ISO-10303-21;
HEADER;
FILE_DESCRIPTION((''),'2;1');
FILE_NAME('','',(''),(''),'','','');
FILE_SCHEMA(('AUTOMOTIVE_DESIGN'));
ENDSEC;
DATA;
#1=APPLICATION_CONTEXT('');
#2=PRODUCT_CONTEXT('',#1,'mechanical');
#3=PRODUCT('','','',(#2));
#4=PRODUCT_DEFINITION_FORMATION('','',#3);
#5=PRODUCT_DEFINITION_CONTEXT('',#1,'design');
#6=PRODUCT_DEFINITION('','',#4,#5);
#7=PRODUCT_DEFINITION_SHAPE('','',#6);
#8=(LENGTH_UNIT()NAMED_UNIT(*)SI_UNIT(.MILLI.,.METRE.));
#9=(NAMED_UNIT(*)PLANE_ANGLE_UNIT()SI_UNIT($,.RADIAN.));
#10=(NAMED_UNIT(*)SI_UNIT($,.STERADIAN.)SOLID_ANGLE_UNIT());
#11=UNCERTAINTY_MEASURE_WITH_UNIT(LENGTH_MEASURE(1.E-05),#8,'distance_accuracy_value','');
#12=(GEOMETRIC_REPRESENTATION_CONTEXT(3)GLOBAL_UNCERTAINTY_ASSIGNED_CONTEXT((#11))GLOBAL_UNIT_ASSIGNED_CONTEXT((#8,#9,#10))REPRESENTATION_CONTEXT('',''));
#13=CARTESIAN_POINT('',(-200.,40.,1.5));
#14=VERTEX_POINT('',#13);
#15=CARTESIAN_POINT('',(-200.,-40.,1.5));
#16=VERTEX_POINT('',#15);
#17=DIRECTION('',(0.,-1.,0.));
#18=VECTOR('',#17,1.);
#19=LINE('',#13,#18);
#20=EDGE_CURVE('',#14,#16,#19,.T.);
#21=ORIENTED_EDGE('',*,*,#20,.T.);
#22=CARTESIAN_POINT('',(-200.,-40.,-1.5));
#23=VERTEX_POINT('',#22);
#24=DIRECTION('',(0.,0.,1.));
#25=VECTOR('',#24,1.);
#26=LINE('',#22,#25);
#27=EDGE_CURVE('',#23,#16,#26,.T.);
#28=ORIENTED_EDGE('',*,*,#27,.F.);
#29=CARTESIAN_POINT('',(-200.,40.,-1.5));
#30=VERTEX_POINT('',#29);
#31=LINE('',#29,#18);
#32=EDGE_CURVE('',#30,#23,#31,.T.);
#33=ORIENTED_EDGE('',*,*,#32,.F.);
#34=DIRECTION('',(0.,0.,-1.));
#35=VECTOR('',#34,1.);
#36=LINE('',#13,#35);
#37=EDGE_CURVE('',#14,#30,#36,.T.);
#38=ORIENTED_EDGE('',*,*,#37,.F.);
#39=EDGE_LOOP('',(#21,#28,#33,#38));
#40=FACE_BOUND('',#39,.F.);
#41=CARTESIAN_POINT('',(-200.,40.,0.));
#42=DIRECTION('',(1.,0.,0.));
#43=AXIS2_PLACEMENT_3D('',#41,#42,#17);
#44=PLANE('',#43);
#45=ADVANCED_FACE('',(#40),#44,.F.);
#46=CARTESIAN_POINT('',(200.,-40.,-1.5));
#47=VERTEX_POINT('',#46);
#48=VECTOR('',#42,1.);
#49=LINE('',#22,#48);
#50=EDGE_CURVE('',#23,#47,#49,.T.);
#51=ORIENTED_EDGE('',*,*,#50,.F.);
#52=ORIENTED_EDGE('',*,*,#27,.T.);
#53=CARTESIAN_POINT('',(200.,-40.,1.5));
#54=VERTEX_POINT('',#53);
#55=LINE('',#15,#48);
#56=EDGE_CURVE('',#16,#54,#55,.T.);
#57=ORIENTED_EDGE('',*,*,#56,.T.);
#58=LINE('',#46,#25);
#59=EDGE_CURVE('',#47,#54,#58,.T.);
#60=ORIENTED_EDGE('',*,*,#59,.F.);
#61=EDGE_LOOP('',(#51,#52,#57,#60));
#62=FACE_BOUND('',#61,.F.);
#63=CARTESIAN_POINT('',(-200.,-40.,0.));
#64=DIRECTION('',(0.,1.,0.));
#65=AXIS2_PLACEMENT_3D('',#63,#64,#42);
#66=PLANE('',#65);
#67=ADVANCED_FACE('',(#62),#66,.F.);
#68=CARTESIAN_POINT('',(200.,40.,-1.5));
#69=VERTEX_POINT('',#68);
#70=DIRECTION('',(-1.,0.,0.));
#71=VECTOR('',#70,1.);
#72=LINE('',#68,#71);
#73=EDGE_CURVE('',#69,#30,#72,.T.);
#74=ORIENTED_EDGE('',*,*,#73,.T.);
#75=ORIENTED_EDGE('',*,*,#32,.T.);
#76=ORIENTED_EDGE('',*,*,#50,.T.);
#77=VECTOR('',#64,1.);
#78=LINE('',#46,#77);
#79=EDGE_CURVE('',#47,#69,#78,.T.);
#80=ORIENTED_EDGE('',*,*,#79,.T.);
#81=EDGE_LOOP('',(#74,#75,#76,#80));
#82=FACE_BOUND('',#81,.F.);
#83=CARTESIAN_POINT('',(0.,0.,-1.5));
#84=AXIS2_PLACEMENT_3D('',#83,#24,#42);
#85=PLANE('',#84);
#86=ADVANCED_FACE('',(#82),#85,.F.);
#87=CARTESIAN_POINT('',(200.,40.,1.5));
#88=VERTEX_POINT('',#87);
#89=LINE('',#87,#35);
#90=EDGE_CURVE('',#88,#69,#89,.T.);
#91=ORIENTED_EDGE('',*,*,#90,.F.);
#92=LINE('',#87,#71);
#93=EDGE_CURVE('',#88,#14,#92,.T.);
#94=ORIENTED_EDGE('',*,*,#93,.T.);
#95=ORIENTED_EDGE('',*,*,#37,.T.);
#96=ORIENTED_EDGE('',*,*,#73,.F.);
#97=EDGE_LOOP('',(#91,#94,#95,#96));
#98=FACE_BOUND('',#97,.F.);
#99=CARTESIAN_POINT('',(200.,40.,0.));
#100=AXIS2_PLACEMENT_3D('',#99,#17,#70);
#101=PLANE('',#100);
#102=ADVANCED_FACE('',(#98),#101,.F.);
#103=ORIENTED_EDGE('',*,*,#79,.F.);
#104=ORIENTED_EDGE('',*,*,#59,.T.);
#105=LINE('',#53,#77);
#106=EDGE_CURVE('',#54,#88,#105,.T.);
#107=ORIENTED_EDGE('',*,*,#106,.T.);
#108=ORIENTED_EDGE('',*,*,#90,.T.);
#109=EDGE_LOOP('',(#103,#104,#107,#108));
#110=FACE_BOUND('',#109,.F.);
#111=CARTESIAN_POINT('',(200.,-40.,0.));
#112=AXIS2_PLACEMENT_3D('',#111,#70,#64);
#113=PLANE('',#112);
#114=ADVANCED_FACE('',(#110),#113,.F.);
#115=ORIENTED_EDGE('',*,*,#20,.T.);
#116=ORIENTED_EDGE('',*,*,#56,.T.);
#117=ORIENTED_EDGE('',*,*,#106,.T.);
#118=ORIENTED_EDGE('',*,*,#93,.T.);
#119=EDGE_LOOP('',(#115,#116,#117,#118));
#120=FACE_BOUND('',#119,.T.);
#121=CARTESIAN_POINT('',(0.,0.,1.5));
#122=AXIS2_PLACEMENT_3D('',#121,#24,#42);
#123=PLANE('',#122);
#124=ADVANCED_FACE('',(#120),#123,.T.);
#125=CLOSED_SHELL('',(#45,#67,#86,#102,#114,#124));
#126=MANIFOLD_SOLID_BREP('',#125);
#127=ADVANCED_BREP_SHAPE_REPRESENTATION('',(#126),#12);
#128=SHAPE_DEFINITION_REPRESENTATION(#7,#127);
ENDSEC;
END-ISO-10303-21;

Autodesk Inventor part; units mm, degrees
ref_plane "YZ Plane" through (0, 0, 0) normal (1, 0, 0) x (0, 1, 0)
ref_plane "XZ Plane" through (0, 0, 0) normal (0, 1, 0) x (-1, 0, 0)
ref_plane "XY Plane" through (0, 0, 0) normal (0, 0, 1) x (1, 0, 0)
sketch "Sketch1" plane through (0, 0, 0) normal (0, 0, 1) x (1, 0, 0)
  line L0 (-200, -40) -> (200, -40)
  line L1 (200, -40) -> (200, 40)
  line L2 (200, 40) -> (-200, 40)
  line L3 (-200, 40) -> (-200, -40)
  line L4 (-200, -40) -> (200, 40) construction
  line L5 (200, -40) -> (-200, 40) construction
  point P0 (0, 0)
  dimension "d0" = 400
  dimension "d1" = 80
extrude "Extrusion1" add sketch "Sketch1" along normal mid plane 3
properties part number "Tapa lados"
